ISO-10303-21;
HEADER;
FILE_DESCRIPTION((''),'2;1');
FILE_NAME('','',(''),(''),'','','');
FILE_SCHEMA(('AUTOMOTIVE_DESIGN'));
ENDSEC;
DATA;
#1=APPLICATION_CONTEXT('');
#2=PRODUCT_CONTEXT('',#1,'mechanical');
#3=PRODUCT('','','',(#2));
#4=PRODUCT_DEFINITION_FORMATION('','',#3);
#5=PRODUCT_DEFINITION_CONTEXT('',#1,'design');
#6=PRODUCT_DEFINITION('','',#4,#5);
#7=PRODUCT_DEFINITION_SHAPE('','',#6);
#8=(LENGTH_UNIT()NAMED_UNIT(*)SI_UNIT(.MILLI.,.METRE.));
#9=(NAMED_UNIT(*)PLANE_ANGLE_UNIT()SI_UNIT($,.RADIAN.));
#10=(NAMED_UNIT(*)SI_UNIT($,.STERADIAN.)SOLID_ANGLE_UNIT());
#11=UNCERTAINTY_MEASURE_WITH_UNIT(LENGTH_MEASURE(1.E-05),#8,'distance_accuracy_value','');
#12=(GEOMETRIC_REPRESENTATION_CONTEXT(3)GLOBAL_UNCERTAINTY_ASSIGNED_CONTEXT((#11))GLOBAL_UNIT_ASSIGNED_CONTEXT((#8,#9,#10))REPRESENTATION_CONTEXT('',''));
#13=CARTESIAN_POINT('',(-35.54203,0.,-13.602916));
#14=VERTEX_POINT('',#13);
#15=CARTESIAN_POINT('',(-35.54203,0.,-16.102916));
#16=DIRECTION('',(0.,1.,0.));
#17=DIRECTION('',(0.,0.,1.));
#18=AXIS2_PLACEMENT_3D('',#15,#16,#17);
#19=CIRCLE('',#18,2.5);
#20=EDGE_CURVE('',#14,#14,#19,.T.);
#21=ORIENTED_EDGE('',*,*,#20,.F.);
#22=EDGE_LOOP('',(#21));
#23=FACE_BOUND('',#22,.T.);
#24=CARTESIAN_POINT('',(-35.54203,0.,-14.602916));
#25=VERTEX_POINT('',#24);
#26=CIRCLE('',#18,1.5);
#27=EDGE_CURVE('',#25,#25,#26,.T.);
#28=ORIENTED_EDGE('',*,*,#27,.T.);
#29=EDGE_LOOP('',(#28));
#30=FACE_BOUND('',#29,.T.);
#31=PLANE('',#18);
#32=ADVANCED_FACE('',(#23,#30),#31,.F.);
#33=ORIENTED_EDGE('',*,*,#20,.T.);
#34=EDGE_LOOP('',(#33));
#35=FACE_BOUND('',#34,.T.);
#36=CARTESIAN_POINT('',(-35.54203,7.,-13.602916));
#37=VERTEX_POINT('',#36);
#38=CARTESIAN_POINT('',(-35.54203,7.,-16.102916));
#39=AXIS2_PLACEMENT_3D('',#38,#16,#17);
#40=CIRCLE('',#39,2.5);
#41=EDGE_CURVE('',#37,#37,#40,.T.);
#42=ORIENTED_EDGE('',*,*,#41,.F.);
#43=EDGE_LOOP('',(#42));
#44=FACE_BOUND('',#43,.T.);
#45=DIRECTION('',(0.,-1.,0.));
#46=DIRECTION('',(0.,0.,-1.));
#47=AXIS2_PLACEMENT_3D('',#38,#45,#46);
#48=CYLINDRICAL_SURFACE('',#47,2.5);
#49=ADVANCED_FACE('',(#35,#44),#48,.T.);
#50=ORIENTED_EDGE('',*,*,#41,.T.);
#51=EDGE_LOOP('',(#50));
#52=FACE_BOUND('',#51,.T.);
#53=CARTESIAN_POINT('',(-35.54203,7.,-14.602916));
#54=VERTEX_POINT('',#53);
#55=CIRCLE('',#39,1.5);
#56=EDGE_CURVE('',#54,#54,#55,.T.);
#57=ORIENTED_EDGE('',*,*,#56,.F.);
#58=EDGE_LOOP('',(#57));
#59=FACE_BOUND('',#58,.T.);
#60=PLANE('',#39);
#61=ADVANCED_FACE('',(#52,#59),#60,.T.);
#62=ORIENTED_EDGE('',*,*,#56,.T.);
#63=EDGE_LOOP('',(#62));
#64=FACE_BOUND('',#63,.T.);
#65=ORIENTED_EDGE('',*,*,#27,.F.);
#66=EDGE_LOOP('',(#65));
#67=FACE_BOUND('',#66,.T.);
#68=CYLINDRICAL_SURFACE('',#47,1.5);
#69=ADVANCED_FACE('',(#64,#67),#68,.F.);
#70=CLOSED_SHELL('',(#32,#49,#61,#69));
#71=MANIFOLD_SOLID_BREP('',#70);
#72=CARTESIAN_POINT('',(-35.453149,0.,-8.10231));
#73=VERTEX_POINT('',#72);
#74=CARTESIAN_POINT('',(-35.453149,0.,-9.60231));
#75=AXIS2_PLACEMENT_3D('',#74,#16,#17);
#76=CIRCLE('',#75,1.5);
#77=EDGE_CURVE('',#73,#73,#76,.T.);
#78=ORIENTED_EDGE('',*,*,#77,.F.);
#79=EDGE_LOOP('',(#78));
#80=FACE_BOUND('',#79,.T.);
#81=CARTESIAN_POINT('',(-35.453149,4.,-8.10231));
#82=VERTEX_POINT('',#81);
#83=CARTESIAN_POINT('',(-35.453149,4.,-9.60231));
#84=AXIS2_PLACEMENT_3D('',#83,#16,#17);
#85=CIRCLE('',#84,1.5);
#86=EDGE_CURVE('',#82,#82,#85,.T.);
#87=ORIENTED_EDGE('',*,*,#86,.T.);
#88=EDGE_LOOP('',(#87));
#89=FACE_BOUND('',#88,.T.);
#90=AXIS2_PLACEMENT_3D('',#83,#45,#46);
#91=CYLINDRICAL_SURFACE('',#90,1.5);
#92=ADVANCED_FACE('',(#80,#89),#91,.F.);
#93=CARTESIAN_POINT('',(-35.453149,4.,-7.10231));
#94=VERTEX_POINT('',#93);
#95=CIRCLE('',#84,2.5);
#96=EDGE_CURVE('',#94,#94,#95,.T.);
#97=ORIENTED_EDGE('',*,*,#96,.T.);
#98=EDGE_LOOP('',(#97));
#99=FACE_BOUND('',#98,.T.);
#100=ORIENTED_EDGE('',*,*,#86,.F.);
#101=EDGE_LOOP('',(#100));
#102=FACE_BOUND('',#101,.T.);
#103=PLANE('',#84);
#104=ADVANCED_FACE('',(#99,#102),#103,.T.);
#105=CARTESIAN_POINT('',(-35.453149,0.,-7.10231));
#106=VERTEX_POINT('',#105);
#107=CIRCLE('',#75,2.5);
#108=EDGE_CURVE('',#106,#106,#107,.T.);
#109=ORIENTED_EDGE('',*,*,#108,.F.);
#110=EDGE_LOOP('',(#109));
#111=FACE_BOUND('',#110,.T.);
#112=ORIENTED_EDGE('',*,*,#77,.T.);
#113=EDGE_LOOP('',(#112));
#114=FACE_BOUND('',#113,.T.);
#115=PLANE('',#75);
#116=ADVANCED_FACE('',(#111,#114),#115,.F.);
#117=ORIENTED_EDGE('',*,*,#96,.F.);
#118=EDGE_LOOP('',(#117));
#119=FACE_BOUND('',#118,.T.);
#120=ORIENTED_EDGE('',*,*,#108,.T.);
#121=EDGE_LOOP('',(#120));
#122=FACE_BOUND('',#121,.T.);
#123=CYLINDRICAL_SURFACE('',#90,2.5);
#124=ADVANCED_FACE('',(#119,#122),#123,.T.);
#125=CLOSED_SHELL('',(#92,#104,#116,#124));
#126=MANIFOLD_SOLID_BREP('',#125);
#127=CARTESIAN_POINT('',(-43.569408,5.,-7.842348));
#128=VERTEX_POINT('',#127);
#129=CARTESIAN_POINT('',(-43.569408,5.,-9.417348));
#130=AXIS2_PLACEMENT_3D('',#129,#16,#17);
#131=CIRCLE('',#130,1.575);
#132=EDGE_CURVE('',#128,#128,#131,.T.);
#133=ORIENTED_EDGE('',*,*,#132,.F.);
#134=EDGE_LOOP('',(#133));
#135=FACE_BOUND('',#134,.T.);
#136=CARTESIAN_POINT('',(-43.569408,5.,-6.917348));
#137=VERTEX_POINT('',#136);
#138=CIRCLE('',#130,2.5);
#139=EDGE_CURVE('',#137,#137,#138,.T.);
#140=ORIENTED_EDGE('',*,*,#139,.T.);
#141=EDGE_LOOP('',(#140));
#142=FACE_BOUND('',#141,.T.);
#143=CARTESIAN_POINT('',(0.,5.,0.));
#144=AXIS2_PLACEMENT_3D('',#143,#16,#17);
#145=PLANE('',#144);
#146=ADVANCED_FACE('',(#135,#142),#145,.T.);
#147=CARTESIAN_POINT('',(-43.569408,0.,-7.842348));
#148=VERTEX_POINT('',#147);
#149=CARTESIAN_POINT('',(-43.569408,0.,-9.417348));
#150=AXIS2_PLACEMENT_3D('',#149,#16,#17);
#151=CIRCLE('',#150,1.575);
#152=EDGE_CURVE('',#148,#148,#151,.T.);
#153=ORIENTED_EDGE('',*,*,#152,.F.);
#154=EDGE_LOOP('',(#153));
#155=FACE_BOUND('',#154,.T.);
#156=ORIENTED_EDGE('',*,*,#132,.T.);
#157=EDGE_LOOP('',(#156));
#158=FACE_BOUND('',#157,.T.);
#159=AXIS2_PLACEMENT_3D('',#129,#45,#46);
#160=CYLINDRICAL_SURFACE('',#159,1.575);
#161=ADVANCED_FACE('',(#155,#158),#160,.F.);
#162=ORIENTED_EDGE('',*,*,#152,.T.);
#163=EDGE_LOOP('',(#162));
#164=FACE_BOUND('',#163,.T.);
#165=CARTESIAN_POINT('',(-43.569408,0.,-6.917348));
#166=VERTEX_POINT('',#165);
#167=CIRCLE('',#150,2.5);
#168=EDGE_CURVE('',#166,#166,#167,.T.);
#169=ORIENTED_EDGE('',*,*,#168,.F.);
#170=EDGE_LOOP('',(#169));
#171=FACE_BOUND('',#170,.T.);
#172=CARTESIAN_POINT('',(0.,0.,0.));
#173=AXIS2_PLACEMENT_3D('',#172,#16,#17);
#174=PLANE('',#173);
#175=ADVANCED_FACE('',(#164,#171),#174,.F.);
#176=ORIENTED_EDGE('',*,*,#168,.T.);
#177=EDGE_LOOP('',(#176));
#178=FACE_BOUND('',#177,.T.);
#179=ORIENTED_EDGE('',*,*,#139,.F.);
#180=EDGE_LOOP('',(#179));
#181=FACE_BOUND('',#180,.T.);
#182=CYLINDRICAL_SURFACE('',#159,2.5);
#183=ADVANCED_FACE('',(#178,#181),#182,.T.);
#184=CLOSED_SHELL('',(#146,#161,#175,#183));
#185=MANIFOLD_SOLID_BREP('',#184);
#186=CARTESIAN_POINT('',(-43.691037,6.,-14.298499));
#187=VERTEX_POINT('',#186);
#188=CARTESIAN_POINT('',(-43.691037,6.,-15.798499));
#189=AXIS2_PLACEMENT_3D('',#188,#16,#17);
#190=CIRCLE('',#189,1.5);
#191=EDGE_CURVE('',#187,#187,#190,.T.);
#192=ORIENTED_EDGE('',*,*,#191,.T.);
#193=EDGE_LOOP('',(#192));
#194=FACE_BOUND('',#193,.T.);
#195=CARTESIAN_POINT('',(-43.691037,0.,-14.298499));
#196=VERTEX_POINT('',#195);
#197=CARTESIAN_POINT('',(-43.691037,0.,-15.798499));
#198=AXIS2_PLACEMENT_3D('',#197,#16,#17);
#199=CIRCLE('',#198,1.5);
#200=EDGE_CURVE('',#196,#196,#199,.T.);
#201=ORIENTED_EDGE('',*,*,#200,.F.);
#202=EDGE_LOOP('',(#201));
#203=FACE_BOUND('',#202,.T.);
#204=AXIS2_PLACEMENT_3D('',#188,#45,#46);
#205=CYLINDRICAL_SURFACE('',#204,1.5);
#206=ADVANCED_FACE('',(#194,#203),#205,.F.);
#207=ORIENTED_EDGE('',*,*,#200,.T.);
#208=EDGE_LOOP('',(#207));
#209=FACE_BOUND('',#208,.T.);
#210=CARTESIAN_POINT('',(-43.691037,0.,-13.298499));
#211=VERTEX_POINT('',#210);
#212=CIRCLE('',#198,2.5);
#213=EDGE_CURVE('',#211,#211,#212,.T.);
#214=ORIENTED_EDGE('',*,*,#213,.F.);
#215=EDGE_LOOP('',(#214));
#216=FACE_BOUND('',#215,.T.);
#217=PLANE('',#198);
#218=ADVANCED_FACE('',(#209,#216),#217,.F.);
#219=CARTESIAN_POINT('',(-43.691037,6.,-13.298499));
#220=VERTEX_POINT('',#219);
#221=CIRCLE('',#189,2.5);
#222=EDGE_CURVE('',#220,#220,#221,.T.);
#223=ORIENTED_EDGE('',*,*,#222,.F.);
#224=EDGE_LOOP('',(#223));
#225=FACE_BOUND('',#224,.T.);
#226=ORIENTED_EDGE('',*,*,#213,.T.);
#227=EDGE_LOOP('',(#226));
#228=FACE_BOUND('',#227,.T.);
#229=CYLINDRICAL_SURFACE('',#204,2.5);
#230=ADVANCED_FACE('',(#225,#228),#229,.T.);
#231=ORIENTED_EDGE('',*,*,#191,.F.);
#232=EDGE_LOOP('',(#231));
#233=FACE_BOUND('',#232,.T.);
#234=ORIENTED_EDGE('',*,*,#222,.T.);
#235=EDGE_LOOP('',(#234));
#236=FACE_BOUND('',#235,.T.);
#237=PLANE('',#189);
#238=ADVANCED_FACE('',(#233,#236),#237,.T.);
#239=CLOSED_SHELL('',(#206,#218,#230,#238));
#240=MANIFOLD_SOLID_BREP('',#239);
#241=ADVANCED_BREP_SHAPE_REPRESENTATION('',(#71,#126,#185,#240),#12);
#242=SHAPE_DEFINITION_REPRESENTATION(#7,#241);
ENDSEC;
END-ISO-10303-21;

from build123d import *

# Parameters (mm, degrees)
SKETCH1_R           = 2.5
SKETCH1_R_2         = 1.575
BOSS_EXTRUDE1_DEPTH = 5
SKETCH2_R           = 2.5
SKETCH2_R_2         = 1.5
BOSS_EXTRUDE2_DEPTH = 4
SKETCH3_R           = 2.5
SKETCH3_R_2         = 1.5
BOSS_EXTRUDE3_DEPTH = 6
SKETCH4_R           = 2.5
SKETCH4_R_2         = 1.5
BOSS_EXTRUDE4_DEPTH = 7


with BuildPart() as part:
    # Sketch1 → Boss-Extrude1 (new body)
    with BuildSketch(Plane(origin=(0, 0, 0), x_dir=(1, 0, 0), z_dir=(0, 1, 0))):
        with Locations(Location((-43.569408025, 9.417348367, 0), (0, 0, 270))):  # turned: the seam where the file's is
            Circle(SKETCH1_R)
        with Locations(Location((-43.569408025, 9.417348367, 0), (0, 0, 270))):  # turned: the seam where the file's is
            Circle(SKETCH1_R_2, mode=Mode.SUBTRACT)
    extrude(amount=BOSS_EXTRUDE1_DEPTH)


with BuildPart() as body_2:
    # Sketch2 → Boss-Extrude2 (new body)
    with BuildSketch(Plane(origin=(0, 0, 0), x_dir=(1, 0, 0), z_dir=(0, 1, 0))):
        with Locations(Location((-35.45314898, 9.602309879, 0), (0, 0, 270))):  # turned: the seam where the file's is
            Circle(SKETCH2_R)
        with Locations(Location((-35.45314898, 9.602309879, 0), (0, 0, 270))):  # turned: the seam where the file's is
            Circle(SKETCH2_R_2, mode=Mode.SUBTRACT)
    extrude(amount=BOSS_EXTRUDE2_DEPTH)


with BuildPart() as body_3:
    # Sketch3 → Boss-Extrude3 (new body)
    with BuildSketch(Plane(origin=(0, 0, 0), x_dir=(1, 0, 0), z_dir=(0, 1, 0))):
        with Locations(Location((-43.69103714, 15.798498794, 0), (0, 0, 270))):  # turned: the seam where the file's is
            Circle(SKETCH3_R)
        with Locations(Location((-43.69103714, 15.798498794, 0), (0, 0, 270))):  # turned: the seam where the file's is
            Circle(SKETCH3_R_2, mode=Mode.SUBTRACT)
    extrude(amount=BOSS_EXTRUDE3_DEPTH)


with BuildPart() as body_4:
    # Sketch4 → Boss-Extrude4 (new body)
    with BuildSketch(Plane(origin=(0, 0, 0), x_dir=(1, 0, 0), z_dir=(0, 1, 0))):
        with Locations(Location((-35.542029736, 16.102915737, 0), (0, 0, 270))):  # turned: the seam where the file's is
            Circle(SKETCH4_R)
        with Locations(Location((-35.542029736, 16.102915737, 0), (0, 0, 270))):  # turned: the seam where the file's is
            Circle(SKETCH4_R_2, mode=Mode.SUBTRACT)
    extrude(amount=BOSS_EXTRUDE4_DEPTH)


solid = Compound([part.part, body_2.part, body_3.part, body_4.part])
